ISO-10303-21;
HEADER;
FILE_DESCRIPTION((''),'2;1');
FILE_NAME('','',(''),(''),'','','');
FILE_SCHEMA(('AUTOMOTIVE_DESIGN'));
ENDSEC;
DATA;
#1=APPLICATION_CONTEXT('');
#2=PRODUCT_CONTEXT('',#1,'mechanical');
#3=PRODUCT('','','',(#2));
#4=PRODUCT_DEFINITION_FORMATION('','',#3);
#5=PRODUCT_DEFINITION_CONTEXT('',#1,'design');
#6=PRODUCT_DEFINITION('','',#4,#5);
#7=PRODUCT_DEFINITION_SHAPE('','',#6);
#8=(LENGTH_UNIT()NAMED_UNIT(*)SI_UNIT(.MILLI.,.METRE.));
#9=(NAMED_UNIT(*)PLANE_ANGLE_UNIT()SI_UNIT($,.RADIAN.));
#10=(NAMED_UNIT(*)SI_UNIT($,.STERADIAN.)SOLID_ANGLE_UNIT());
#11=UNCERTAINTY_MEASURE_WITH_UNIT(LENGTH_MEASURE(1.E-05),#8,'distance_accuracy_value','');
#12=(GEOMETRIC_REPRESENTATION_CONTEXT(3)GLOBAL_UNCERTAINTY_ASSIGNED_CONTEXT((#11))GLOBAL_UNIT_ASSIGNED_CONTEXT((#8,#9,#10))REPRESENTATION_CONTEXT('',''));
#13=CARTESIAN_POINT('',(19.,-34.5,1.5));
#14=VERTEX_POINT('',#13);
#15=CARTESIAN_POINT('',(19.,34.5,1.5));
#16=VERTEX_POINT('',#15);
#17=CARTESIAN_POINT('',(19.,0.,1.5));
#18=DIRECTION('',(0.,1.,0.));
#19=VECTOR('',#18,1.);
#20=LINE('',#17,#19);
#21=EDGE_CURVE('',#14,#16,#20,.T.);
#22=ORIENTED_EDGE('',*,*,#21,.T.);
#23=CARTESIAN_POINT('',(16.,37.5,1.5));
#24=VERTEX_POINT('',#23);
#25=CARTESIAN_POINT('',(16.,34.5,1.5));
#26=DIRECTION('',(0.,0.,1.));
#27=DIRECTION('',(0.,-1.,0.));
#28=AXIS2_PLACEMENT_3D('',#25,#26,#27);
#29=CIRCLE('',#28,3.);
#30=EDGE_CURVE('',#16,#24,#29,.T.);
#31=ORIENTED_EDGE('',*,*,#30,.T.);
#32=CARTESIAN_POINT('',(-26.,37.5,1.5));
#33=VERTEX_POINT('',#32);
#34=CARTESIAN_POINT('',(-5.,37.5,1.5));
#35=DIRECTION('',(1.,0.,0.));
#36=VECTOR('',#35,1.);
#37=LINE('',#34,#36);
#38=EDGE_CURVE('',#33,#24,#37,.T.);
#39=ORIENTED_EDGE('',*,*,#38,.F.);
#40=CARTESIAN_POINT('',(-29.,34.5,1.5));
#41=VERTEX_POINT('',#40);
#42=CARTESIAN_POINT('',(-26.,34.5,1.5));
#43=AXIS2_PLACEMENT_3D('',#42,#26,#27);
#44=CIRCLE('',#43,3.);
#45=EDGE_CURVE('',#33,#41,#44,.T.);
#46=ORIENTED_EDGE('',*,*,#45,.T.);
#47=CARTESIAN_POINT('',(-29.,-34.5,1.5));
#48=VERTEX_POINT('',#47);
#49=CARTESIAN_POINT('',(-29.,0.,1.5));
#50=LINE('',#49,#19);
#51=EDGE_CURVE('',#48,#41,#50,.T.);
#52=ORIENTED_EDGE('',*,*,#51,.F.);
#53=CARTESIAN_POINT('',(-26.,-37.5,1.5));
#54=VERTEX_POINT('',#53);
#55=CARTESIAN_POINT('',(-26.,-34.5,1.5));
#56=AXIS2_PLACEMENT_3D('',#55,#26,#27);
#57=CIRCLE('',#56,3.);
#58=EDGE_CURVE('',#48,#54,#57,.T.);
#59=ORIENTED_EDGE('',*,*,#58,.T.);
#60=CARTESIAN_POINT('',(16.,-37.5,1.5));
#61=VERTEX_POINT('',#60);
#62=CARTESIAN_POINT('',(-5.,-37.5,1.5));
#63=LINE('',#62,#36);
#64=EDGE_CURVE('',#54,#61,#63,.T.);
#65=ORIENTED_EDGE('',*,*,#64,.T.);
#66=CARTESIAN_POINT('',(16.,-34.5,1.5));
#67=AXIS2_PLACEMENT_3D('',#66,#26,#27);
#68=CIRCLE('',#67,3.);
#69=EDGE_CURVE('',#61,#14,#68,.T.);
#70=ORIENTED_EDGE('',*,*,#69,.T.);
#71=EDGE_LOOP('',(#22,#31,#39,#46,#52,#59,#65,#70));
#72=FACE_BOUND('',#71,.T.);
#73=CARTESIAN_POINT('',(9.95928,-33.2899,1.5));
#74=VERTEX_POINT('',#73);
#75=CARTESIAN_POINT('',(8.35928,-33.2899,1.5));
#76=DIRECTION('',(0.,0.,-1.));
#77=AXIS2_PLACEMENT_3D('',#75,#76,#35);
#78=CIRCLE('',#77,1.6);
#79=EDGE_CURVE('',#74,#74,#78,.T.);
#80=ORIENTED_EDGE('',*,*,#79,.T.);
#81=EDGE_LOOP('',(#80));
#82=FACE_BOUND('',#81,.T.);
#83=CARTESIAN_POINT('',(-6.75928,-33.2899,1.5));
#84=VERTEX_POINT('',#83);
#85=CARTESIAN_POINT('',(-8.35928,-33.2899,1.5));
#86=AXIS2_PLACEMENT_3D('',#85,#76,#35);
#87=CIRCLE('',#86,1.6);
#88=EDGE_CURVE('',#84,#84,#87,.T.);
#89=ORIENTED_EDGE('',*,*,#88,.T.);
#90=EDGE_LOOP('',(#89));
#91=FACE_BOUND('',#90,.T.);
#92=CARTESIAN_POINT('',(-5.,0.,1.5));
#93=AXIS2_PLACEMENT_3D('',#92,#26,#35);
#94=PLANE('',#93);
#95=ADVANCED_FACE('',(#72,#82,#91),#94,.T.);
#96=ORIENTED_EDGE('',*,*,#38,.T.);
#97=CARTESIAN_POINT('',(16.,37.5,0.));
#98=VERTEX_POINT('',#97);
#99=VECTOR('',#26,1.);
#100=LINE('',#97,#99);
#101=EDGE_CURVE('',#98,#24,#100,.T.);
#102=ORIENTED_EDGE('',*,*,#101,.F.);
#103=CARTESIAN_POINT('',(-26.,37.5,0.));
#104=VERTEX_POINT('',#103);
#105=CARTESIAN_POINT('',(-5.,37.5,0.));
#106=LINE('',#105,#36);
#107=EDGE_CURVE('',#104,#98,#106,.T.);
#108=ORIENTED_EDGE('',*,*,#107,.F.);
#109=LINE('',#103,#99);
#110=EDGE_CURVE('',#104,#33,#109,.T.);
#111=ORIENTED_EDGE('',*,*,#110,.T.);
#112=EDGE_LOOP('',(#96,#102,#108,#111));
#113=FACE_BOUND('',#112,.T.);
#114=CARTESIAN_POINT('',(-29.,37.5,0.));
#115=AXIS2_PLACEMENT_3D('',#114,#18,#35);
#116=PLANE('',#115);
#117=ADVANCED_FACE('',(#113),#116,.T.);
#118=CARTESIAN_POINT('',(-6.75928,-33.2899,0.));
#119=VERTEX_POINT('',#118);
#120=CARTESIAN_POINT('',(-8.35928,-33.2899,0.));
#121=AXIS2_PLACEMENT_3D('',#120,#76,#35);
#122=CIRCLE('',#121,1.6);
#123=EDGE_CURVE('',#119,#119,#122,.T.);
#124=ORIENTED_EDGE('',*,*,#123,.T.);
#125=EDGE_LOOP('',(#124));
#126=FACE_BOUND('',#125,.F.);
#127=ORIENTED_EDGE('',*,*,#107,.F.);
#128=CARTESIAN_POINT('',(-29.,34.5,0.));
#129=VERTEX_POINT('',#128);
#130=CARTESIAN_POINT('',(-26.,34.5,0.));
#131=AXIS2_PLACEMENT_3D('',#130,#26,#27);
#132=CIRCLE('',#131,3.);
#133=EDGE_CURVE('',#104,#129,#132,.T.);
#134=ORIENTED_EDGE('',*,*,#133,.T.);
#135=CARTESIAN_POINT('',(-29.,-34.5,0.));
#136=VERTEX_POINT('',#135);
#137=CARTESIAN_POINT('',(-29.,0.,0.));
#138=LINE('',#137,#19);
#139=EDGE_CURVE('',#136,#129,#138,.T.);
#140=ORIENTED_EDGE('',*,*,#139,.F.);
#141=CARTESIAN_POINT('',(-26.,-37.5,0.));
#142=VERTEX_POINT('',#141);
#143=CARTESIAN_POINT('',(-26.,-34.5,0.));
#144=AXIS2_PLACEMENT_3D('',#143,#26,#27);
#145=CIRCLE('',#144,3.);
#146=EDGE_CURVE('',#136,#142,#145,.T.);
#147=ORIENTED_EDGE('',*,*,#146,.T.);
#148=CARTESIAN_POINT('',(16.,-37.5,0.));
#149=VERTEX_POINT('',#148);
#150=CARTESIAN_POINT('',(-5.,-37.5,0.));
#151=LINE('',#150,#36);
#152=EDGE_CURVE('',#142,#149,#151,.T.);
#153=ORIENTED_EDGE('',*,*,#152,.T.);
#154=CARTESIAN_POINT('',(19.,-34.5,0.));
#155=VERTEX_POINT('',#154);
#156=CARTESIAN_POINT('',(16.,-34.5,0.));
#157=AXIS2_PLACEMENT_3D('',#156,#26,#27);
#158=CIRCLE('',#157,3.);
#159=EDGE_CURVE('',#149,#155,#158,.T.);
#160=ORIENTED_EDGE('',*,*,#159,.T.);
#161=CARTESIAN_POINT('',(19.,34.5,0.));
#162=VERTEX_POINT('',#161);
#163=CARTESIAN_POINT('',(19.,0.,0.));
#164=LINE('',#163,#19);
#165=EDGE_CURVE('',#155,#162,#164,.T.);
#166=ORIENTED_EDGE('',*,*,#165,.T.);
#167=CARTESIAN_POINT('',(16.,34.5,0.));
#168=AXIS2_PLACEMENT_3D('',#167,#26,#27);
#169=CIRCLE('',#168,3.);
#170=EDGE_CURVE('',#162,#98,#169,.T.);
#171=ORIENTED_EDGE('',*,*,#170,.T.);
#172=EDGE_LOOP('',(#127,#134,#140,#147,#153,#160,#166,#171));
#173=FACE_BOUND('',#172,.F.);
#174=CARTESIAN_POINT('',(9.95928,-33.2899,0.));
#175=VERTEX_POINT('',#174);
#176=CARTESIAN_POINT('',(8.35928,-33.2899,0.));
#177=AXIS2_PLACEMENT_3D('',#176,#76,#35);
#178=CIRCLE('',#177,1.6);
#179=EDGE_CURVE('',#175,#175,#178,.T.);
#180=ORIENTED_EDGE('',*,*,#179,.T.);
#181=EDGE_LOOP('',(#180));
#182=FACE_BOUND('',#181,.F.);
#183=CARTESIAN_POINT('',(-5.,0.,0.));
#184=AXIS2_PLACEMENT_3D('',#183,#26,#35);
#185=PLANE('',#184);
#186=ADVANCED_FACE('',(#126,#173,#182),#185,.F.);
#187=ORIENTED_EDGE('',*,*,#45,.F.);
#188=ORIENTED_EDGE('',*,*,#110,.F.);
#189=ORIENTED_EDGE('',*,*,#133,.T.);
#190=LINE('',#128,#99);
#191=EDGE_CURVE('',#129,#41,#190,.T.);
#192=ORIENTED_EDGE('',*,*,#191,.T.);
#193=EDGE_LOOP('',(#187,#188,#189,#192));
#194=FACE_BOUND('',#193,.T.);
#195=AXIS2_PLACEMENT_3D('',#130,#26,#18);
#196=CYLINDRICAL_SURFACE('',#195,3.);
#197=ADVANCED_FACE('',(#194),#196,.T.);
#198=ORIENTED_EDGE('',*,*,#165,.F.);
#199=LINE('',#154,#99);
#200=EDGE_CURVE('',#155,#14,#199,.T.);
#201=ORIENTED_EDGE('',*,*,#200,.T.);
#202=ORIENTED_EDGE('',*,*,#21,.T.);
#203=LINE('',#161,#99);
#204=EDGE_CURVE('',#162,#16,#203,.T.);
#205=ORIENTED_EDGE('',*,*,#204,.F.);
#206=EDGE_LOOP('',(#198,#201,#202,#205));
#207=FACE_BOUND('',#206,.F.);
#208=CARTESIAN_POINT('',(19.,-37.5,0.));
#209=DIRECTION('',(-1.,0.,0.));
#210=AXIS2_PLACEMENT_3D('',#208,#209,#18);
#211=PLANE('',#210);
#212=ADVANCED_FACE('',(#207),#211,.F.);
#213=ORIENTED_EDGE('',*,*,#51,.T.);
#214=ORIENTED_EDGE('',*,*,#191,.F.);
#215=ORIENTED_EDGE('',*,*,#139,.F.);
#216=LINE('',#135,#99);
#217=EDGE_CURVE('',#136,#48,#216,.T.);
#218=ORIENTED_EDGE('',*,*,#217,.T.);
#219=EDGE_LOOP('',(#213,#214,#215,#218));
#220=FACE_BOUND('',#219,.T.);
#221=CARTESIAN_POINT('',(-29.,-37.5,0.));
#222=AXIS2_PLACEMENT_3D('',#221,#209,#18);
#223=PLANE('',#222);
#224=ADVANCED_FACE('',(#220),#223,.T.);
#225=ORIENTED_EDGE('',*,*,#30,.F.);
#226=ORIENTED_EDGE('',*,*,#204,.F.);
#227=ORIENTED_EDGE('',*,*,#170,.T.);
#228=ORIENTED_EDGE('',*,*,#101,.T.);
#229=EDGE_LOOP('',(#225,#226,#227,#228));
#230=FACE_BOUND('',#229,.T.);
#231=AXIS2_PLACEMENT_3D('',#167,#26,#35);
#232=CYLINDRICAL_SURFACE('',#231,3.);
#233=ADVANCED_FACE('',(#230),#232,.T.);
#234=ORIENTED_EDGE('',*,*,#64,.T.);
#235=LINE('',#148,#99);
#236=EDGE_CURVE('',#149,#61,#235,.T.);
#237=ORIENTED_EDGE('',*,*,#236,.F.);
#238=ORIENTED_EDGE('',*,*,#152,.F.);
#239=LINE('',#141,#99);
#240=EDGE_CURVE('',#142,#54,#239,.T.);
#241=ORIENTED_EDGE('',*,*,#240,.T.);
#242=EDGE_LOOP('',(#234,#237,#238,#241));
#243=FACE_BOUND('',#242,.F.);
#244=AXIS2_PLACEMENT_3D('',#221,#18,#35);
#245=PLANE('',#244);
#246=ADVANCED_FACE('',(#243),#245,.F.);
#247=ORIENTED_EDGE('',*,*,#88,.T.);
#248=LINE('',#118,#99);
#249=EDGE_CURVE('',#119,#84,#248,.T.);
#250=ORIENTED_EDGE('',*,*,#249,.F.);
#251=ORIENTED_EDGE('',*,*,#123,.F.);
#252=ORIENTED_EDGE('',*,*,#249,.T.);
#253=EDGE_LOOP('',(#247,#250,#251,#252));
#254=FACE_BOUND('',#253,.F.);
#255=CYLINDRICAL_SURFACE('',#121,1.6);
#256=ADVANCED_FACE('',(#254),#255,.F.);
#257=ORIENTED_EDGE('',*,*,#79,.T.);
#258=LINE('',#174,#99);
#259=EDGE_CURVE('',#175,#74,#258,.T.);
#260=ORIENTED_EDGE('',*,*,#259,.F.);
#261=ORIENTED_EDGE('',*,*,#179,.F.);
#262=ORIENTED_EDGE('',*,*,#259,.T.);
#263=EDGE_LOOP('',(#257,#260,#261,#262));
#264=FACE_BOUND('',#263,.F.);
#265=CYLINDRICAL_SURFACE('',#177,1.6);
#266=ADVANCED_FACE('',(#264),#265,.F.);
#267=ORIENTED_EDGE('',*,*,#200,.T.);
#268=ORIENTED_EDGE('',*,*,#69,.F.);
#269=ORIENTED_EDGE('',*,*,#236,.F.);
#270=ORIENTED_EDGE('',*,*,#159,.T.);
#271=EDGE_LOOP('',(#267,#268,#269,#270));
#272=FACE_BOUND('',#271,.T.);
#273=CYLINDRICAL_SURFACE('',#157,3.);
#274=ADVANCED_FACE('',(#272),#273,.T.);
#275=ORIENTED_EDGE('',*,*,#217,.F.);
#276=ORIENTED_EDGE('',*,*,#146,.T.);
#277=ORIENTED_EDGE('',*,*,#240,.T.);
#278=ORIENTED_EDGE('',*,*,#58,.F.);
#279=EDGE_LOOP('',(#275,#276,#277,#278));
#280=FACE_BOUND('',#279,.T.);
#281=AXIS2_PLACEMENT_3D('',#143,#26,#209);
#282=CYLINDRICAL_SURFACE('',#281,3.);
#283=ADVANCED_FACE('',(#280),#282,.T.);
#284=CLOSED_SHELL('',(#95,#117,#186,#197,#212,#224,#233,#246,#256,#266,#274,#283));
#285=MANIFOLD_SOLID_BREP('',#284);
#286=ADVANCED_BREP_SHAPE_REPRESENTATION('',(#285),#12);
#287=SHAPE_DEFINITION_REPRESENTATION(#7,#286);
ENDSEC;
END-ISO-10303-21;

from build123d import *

# Parameters (mm, degrees)
SKETCH_W        = 48
SKETCH_H        = 75
PAD_DEPTH       = 1.5
FILLET014_R     = 3
FILLET015_R     = 3
FILLET016_R     = 3
FILLET017_R     = 3
SKETCH016_R     = 1.6
POCKET012_DEPTH = 1.501


with BuildPart() as part:
    # Sketch → Pad (new body)
    with BuildSketch(Plane.XY):
        with Locations((-5, 0)):
            Rectangle(SKETCH_W, SKETCH_H)
    extrude(amount=PAD_DEPTH)

    # Fillet014
    fillet014_edges = [part.edges().sort_by_distance(p)[0] for p in [
        (19, 37.5, 0.75),
    ]]
    fillet(fillet014_edges, radius=FILLET014_R)

    # Fillet015
    fillet015_edges = [part.edges().sort_by_distance(p)[0] for p in [
        (-29, 37.5, 0.75),
    ]]
    fillet(fillet015_edges, radius=FILLET015_R)

    # Fillet016
    fillet016_edges = [part.edges().sort_by_distance(p)[0] for p in [
        (-29, -37.5, 0.75),
    ]]
    fillet(fillet016_edges, radius=FILLET016_R)

    # Fillet017
    fillet017_edges = [part.edges().sort_by_distance(p)[0] for p in [
        (19, -37.5, 0.75),
    ]]
    fillet(fillet017_edges, radius=FILLET017_R)

    # Sketch016 → Pocket012 (cut, through all)
    with BuildSketch(Plane(origin=(0, 0, 0), x_dir=(1, 0, 0), z_dir=(0, 0, -1))):
        with Locations((-8.35928, 33.2899)):
            Circle(SKETCH016_R)
        with Locations((8.35928, 33.2899)):
            Circle(SKETCH016_R)
    extrude(amount=-POCKET012_DEPTH, mode=Mode.SUBTRACT)


solid = part.part
